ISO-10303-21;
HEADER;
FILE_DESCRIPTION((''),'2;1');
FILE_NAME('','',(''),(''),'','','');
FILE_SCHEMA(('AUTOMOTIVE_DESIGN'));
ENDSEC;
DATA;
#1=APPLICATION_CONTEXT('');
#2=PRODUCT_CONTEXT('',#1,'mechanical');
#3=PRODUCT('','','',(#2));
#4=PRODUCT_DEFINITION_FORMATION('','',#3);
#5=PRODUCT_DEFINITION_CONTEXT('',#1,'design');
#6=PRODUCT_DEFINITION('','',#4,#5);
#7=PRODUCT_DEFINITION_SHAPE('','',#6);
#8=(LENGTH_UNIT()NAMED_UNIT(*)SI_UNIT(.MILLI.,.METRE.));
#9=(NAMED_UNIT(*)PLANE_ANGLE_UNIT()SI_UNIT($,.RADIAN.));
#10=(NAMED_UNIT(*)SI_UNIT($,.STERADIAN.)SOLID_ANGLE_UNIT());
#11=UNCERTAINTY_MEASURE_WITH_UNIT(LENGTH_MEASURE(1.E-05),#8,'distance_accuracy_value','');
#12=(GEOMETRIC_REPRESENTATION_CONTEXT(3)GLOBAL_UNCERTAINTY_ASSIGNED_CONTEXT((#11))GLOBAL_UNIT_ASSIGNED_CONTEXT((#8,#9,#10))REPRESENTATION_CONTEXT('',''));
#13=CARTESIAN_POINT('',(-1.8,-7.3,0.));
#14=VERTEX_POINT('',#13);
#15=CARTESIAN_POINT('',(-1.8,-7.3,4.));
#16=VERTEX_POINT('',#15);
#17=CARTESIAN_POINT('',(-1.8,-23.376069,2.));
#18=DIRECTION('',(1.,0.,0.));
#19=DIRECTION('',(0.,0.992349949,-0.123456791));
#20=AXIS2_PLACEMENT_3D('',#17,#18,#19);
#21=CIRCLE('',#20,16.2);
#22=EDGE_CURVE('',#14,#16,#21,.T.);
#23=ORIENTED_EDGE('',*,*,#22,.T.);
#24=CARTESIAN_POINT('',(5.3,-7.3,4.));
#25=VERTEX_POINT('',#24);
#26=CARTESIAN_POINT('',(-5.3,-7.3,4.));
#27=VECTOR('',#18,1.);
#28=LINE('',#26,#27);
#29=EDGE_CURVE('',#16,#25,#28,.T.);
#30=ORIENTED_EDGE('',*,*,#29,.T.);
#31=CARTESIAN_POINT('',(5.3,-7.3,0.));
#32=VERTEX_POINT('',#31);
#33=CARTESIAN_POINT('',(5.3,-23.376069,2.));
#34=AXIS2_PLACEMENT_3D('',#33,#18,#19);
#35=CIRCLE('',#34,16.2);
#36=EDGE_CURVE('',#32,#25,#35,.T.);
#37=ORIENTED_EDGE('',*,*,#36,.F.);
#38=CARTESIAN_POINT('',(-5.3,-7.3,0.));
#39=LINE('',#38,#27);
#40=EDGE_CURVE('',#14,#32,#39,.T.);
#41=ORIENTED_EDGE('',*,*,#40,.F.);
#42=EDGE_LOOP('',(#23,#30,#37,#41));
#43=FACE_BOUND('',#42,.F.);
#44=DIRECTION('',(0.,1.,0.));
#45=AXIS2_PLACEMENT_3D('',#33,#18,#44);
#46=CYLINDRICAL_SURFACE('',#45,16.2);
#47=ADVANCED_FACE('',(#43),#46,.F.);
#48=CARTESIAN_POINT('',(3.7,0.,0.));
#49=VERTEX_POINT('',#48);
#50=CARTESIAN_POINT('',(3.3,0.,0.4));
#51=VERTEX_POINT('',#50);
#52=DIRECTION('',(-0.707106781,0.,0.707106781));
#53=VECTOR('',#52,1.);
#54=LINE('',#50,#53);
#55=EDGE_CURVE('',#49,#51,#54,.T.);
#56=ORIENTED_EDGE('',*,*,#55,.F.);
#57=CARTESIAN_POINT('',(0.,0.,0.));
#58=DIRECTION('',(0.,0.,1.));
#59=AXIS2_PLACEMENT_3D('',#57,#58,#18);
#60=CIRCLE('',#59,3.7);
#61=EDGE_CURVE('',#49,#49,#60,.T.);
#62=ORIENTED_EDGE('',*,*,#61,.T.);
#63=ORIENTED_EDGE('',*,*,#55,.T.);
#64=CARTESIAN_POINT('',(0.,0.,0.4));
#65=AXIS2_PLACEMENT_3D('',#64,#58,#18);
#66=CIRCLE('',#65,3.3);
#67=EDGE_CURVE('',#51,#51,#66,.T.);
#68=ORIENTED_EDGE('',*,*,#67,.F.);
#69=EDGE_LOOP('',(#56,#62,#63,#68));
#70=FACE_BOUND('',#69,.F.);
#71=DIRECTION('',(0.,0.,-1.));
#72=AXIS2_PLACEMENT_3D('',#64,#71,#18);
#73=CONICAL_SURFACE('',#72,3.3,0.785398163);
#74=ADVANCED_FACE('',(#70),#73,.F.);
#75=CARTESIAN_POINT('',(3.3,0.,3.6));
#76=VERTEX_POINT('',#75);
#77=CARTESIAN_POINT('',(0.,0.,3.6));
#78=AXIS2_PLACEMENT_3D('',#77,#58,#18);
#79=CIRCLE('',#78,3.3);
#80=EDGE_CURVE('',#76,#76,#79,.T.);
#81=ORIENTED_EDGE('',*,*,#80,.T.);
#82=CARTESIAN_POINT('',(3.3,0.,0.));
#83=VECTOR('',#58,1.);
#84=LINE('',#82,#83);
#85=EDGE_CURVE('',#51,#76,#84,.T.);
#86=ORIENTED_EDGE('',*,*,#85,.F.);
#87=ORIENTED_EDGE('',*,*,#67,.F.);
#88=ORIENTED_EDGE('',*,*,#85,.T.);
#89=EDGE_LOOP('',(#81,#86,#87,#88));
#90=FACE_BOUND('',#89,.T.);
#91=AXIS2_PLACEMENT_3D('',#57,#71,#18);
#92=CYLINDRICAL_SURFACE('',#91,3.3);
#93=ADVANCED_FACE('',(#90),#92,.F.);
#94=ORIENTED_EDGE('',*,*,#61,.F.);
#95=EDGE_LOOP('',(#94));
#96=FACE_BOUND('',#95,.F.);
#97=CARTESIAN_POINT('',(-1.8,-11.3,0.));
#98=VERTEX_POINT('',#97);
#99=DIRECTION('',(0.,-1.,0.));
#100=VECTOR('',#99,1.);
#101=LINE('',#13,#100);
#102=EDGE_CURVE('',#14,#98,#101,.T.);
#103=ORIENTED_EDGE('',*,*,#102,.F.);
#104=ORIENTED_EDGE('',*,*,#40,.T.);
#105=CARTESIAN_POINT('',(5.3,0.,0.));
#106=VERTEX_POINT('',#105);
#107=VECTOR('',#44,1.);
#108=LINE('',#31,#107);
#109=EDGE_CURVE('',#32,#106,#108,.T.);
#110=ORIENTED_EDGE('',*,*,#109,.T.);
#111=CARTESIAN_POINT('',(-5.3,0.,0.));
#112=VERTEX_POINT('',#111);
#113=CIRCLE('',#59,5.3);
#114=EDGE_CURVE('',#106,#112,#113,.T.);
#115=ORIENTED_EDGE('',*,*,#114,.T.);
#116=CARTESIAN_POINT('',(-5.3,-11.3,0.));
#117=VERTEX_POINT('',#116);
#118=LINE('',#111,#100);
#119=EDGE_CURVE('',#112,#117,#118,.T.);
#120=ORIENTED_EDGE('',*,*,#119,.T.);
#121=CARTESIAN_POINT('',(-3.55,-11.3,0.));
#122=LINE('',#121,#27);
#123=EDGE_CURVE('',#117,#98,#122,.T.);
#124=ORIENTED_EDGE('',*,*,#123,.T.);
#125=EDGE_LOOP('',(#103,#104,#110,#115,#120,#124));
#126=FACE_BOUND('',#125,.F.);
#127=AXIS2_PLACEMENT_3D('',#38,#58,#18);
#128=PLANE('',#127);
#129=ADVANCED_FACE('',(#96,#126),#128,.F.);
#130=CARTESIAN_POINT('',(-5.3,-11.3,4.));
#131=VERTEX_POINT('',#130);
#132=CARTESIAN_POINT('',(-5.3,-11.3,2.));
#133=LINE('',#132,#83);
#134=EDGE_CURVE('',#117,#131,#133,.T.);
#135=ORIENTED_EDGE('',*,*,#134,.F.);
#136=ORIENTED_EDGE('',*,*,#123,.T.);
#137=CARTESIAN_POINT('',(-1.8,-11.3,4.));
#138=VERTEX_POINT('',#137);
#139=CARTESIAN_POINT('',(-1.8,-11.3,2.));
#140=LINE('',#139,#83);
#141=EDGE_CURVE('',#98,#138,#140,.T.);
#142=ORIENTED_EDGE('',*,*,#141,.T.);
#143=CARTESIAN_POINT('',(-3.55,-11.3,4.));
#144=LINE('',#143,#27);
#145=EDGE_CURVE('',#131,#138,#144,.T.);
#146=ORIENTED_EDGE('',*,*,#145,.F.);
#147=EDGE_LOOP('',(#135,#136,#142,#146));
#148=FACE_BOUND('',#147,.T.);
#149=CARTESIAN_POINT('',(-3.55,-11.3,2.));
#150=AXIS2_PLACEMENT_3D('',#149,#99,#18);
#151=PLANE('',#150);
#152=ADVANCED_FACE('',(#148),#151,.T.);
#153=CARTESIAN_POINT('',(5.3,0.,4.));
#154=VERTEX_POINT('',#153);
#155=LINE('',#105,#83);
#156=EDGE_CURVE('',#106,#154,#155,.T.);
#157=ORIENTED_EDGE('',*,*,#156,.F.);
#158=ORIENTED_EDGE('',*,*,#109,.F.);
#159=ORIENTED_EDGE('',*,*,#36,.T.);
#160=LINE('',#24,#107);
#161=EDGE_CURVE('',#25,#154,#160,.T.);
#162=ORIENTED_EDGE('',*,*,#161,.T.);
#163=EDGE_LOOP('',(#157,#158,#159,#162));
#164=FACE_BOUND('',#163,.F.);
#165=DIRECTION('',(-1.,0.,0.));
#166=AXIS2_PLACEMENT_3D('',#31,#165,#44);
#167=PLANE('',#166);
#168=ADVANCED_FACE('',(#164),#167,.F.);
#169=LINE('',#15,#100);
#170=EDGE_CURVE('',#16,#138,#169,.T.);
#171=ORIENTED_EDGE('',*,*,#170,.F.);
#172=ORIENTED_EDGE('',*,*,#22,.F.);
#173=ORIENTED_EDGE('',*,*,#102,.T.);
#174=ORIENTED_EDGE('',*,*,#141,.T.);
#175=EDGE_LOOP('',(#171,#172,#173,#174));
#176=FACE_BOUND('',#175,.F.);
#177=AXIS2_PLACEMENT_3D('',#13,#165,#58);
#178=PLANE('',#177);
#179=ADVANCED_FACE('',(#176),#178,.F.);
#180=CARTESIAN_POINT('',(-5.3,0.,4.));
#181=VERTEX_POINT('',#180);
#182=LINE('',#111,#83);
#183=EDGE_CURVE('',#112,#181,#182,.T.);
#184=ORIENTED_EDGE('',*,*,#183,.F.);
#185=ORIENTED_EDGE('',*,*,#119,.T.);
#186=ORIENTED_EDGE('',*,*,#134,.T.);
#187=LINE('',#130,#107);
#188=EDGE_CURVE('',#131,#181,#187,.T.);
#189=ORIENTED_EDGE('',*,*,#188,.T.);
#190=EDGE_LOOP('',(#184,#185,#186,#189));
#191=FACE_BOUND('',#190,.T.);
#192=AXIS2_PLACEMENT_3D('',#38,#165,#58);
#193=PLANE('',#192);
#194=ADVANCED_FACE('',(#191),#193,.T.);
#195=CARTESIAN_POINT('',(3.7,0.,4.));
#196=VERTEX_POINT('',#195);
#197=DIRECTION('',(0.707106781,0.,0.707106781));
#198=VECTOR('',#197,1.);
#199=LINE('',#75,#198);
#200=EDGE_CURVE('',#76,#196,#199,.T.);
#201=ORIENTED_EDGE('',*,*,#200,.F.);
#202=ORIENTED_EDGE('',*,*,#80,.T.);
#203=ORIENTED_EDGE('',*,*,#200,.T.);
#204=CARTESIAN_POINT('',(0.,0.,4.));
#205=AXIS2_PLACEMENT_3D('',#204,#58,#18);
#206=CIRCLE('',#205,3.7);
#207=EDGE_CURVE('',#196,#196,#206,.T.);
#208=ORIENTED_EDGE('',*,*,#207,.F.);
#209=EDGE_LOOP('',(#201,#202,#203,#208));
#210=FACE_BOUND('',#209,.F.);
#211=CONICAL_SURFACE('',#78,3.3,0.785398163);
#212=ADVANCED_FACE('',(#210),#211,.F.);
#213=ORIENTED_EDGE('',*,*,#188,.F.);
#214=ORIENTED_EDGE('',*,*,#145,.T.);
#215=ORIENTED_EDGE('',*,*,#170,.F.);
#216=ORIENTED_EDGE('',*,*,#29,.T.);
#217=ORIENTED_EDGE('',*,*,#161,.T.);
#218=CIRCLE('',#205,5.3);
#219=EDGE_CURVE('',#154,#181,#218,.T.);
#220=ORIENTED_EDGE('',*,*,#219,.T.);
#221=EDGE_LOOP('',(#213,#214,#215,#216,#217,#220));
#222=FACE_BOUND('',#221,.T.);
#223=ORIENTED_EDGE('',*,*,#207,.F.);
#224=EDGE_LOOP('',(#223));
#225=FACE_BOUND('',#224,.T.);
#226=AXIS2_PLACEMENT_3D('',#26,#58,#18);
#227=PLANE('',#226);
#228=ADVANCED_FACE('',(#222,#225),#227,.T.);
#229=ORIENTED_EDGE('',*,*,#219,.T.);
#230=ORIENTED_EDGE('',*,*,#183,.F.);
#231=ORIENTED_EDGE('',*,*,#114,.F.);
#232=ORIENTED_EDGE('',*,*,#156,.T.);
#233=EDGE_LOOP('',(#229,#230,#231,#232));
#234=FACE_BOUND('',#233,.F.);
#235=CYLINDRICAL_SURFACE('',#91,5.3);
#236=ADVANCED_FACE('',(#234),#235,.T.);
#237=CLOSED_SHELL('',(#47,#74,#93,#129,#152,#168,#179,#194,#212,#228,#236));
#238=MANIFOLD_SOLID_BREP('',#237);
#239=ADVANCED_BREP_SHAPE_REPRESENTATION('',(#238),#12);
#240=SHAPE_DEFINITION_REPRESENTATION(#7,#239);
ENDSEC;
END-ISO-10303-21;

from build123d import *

# Parameters (mm, degrees)
F0_R     = 3.3
F1_DEPTH = 4
F2_W     = 3.5
F2_H     = 4
F3_DEPTH = 4
F4_SIZE  = 0.4
F5_R     = 16.2
F6_DEPTH = 7.1


with BuildPart() as f1:
    # F0 (on Top) → F1 (new body)
    with BuildSketch(Plane.XY):
        with BuildLine():
            ThreePointArc((-5.3, 0), (0, -5.3), (5.3, 0))
            ThreePointArc((5.3, 0), (0, 5.3), (-5.3, 0))
        make_face()
        Circle(F0_R, mode=Mode.SUBTRACT)
        with BuildLine():
            Line((5.3, -7.3), (5.3, 0))
            ThreePointArc((5.3, 0), (0, -5.3), (-5.3, 0))
            Line((-5.3, 0), (-5.3, -7.3))
            Line((-5.3, -7.3), (5.3, -7.3))
        make_face()
    extrude(amount=F1_DEPTH)

    # F2 (on face) → F3 (join)
    with BuildSketch(Plane.XZ.offset(7.3)):
        with Locations((-3.55, 2)):
            Rectangle(F2_W, F2_H)
    extrude(amount=F3_DEPTH)

    # F4
    f4_edges = [f1.edges().sort_by_distance(p)[0] for p in [
        (-3.3, 0, 4),
        (-3.3, 0, 0),
    ]]
    chamfer(f4_edges, length=F4_SIZE)

    # F5 (on face) → F6 (cut, through all)
    with BuildSketch(Plane.YZ.offset(5.3)):
        with Locations((-23.376069, 2)):
            Circle(F5_R)
    extrude(amount=-F6_DEPTH, mode=Mode.SUBTRACT)


solid = f1.part
